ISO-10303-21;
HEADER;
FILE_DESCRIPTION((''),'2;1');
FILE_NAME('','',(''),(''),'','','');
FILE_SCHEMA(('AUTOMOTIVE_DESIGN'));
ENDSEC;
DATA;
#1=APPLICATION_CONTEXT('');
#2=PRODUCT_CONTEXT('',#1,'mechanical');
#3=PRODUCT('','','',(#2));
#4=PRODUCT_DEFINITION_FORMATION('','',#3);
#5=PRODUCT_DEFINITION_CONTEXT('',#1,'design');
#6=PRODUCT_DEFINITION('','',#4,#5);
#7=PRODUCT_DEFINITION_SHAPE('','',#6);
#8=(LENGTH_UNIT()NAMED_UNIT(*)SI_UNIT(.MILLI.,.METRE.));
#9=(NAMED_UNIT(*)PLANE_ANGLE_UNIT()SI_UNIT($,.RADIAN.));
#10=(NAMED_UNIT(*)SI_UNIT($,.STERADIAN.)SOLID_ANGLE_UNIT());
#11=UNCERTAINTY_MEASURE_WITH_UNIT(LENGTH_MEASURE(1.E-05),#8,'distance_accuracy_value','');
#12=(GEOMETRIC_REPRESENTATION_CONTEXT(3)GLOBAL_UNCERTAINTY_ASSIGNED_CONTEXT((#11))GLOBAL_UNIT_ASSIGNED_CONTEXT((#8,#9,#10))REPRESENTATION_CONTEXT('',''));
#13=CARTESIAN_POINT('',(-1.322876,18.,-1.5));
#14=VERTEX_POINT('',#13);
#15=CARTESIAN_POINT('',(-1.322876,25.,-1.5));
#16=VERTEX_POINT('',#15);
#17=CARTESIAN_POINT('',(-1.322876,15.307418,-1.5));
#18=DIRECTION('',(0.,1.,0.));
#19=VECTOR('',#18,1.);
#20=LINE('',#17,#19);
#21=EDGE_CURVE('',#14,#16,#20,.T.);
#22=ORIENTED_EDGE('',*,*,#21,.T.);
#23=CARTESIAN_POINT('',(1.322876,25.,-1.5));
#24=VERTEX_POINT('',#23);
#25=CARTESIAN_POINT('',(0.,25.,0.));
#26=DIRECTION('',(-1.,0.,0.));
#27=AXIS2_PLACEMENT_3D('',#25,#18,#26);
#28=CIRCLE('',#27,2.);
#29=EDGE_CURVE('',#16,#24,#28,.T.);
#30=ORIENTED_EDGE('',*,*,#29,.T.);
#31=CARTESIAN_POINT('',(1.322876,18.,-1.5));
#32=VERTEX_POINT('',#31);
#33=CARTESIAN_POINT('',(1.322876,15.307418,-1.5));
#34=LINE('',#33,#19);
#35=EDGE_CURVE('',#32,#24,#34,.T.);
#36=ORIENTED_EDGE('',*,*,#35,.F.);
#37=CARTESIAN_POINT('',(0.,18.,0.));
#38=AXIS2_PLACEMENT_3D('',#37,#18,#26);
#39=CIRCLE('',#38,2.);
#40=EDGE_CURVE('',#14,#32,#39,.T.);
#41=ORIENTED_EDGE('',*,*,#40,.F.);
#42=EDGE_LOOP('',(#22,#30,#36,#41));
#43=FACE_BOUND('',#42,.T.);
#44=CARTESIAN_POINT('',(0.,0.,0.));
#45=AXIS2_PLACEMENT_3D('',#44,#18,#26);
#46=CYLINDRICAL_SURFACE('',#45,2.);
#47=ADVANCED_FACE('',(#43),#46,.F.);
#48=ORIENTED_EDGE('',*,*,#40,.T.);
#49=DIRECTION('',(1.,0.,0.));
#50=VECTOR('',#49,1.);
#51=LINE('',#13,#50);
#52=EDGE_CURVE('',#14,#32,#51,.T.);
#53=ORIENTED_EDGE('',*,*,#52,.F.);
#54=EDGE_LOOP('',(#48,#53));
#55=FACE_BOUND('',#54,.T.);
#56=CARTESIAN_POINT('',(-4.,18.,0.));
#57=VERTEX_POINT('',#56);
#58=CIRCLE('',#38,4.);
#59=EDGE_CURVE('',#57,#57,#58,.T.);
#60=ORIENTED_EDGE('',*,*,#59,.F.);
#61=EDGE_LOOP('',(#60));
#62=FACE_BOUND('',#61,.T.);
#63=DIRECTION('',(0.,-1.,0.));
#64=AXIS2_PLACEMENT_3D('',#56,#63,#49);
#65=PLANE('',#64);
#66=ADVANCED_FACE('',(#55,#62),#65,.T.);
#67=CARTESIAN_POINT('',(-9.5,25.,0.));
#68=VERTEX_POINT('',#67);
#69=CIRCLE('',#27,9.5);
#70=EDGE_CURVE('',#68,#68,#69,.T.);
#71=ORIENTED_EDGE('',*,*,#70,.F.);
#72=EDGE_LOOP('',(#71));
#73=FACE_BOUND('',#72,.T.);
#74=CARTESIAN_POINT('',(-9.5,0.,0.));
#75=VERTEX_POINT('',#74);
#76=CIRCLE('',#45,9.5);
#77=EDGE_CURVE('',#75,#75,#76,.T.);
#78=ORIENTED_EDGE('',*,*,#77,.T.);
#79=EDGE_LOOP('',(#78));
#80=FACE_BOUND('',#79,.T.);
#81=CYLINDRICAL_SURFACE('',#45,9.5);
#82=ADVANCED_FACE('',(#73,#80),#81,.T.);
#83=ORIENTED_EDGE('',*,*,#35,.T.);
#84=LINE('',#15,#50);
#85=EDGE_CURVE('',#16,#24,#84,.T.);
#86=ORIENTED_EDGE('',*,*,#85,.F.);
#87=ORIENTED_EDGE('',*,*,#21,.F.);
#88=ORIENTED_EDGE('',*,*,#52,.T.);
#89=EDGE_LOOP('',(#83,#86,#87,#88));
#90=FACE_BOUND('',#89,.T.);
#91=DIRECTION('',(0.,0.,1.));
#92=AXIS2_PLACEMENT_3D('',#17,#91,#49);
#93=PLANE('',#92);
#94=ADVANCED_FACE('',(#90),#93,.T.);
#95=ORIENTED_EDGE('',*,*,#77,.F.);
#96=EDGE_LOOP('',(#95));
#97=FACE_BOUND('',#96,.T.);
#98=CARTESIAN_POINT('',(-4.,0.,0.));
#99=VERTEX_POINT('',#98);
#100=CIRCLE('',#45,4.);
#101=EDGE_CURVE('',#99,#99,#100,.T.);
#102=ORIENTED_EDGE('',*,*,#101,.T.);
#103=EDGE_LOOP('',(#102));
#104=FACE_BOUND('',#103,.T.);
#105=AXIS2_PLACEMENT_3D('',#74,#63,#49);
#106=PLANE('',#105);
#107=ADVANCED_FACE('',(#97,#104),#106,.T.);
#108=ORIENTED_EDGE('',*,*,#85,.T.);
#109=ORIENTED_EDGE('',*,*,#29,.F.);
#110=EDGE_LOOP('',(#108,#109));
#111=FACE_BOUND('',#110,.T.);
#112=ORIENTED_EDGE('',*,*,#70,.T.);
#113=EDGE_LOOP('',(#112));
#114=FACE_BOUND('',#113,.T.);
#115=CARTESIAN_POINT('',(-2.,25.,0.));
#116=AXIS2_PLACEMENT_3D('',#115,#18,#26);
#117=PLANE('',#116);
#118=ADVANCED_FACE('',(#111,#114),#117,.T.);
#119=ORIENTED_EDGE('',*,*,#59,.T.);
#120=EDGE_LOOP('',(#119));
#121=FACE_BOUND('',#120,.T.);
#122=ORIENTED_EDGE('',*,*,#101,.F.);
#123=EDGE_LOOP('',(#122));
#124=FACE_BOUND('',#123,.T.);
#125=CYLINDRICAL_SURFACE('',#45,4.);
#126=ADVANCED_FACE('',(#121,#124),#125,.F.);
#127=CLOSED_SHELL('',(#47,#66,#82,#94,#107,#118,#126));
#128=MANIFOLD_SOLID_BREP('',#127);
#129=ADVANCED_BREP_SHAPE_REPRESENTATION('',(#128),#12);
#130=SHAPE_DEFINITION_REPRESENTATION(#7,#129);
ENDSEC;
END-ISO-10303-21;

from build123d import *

# Parameters (mm, degrees)
BOSS_EXTRU_1_DEPTH = 7


with BuildPart() as part:
    # Esquisse1 → Révolution1 (revolve)
    with BuildSketch(Plane.XY):
        Polygon((-4, 0), (-4, 18), (-2, 18), (-2, 25), (-9.5, 25), (-9.5, 0), align=None)
    revolve(axis=Axis((0, 0, 0), (0, -1, 0)))

    # Esquisse2 → Boss.-Extru.1 (add)
    with BuildSketch(Plane(origin=(0, 25, 0), x_dir=(1, 0, 0), z_dir=(0, 1, 0))):
        with BuildLine():
            Line((-1.322875656, 1.5), (1.322875656, 1.5))
            ThreePointArc((1.322875656, 1.5), (0, 2), (-1.322875656, 1.5))
        make_face()
    extrude(amount=-BOSS_EXTRU_1_DEPTH)


solid = part.part
